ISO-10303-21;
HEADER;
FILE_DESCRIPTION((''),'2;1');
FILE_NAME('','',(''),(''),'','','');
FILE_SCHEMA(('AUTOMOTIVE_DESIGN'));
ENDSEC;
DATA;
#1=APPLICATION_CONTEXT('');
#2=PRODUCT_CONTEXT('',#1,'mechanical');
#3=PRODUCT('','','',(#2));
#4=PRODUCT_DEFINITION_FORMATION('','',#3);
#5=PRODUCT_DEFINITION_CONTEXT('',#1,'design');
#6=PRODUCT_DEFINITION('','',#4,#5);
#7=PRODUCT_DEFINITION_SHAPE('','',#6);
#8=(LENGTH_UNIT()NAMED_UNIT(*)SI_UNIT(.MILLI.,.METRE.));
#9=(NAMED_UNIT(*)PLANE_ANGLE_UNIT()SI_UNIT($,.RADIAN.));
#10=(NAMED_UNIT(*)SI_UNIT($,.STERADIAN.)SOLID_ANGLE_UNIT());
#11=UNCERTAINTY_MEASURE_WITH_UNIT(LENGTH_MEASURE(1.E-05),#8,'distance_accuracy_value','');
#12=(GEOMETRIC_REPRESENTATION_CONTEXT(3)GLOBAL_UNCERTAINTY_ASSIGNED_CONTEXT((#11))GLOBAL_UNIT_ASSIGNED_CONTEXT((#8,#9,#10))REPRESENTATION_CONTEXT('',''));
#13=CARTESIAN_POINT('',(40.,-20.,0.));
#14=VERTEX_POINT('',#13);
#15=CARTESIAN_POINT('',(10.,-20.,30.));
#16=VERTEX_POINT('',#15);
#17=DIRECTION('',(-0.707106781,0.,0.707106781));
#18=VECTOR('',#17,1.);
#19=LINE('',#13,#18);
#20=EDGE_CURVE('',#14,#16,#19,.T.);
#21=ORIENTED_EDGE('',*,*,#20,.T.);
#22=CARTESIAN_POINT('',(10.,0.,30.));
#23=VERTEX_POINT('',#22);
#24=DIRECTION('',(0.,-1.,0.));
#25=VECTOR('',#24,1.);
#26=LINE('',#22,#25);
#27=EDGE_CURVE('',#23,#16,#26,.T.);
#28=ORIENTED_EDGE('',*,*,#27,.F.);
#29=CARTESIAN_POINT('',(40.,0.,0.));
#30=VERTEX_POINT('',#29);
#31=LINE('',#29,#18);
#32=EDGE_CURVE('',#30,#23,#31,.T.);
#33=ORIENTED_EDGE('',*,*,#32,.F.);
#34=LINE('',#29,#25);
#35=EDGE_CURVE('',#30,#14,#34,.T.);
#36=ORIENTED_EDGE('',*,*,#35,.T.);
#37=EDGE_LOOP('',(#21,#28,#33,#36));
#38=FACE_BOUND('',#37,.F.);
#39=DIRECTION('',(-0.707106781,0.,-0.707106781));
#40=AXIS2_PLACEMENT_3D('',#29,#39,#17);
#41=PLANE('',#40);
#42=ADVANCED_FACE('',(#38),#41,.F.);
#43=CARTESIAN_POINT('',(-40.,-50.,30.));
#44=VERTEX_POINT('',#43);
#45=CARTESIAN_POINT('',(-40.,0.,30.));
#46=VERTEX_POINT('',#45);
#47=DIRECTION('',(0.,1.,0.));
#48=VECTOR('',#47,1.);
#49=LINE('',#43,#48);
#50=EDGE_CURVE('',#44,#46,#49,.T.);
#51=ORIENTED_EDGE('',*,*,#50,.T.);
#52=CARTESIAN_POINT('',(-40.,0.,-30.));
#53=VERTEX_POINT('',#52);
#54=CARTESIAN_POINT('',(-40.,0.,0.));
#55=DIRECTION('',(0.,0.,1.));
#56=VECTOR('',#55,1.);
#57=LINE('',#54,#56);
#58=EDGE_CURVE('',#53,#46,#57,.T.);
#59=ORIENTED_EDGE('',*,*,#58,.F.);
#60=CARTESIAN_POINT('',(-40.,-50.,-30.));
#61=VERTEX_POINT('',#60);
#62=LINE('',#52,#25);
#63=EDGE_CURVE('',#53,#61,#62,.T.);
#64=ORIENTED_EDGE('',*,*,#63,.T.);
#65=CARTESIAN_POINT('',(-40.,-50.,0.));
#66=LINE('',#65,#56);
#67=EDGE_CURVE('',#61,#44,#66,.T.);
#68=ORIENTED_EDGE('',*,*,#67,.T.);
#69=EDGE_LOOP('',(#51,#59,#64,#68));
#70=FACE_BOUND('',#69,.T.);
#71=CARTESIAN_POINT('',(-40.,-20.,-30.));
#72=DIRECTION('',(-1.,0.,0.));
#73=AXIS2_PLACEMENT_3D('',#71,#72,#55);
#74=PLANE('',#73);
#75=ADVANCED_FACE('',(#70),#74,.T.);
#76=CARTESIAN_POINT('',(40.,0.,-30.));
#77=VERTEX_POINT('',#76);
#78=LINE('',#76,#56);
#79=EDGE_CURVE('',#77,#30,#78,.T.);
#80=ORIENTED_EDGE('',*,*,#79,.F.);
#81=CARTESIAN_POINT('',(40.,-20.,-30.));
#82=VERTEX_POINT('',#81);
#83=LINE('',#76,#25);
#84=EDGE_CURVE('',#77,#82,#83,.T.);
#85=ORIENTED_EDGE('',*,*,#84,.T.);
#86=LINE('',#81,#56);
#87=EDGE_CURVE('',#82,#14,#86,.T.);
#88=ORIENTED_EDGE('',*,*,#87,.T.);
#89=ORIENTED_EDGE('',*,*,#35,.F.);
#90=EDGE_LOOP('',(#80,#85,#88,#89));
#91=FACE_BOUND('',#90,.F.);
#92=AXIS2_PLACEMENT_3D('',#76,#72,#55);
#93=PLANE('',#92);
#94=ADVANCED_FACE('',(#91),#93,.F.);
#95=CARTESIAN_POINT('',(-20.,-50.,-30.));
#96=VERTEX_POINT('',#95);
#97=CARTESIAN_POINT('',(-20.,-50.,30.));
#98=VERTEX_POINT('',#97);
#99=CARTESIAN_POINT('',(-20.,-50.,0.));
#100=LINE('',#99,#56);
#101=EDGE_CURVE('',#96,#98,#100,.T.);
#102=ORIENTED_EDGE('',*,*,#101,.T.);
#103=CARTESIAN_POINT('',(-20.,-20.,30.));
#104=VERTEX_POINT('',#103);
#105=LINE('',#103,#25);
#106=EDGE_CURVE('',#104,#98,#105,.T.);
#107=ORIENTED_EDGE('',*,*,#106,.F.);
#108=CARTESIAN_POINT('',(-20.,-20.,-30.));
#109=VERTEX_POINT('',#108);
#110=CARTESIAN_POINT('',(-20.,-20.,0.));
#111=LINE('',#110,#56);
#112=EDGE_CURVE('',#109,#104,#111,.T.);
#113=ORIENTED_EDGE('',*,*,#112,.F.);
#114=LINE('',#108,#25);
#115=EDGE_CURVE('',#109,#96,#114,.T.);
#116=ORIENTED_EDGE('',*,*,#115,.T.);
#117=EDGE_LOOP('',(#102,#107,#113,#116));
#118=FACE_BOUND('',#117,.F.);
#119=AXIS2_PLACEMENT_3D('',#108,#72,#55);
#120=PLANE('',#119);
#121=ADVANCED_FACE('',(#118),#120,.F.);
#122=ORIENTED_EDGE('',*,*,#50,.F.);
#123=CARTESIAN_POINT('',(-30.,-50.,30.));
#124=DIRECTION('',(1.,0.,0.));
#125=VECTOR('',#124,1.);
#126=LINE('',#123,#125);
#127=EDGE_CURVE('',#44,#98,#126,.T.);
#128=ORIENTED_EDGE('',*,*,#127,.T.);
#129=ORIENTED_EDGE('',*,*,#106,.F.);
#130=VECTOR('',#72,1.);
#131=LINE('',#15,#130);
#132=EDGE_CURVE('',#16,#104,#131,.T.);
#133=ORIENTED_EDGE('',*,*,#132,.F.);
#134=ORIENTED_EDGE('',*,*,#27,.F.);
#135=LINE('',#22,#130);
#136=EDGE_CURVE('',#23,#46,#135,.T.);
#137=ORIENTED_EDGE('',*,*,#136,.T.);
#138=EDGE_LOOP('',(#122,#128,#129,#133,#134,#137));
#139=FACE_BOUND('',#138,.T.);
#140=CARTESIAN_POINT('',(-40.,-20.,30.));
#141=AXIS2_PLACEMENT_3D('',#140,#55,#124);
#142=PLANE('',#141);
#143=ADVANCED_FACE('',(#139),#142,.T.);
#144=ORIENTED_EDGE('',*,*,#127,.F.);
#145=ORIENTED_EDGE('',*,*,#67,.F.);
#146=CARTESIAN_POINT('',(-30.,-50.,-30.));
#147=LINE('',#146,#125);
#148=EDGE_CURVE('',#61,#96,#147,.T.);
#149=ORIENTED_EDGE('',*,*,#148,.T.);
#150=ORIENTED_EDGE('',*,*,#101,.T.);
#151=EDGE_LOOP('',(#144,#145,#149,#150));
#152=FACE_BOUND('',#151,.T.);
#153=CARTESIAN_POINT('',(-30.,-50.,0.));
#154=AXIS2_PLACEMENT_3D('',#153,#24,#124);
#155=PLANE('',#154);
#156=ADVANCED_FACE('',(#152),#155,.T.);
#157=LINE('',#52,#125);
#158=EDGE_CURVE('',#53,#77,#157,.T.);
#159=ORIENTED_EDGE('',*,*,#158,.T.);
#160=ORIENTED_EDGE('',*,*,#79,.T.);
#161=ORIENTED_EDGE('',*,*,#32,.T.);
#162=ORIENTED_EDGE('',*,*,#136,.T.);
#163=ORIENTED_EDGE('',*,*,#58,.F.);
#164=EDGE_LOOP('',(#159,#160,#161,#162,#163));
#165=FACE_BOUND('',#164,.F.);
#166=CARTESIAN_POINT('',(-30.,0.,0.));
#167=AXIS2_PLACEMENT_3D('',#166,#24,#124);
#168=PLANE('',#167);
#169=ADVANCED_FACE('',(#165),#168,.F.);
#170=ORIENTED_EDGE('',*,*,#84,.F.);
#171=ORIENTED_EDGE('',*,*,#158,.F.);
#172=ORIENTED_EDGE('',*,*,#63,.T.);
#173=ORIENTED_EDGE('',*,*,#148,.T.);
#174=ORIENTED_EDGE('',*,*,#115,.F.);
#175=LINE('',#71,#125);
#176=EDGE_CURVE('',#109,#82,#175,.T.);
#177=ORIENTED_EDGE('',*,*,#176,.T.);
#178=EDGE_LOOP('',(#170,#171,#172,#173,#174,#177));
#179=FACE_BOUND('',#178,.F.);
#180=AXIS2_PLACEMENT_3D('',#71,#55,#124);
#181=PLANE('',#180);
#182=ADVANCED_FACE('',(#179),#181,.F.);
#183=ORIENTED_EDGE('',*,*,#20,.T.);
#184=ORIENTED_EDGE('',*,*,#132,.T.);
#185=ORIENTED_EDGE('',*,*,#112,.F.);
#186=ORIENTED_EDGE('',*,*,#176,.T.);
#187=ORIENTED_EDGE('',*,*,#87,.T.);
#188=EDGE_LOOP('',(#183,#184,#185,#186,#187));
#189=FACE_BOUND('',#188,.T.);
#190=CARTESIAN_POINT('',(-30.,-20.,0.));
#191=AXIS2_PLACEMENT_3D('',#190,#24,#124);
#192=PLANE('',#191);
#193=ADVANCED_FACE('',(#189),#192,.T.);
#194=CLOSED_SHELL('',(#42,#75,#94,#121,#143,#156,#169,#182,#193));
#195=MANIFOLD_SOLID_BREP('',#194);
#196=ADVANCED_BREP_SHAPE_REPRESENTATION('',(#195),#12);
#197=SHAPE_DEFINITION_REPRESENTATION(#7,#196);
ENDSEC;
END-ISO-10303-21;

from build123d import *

# Parameters (mm, degrees)
F0_W     = 20
F0_H     = 60
F1_DEPTH = 20
F2_W     = 20
F2_H     = 60
F3_DEPTH = 30


with BuildPart() as f1:
    # F0 (on Front) → F1 (new body)
    with BuildSketch(Plane.XZ):
        with Locations((-30, 0)):
            Rectangle(F0_W, F0_H)
        Polygon((40, 0), (10, 30), (-20, 30), (-20, -30), (40, -30), align=None)
    extrude(amount=F1_DEPTH)

    # F2 (on face) → F3 (join)
    with BuildSketch(Plane.XZ.offset(20)):
        with Locations((-30, 0)):
            Rectangle(F2_W, F2_H)
    extrude(amount=F3_DEPTH)


solid = f1.part
